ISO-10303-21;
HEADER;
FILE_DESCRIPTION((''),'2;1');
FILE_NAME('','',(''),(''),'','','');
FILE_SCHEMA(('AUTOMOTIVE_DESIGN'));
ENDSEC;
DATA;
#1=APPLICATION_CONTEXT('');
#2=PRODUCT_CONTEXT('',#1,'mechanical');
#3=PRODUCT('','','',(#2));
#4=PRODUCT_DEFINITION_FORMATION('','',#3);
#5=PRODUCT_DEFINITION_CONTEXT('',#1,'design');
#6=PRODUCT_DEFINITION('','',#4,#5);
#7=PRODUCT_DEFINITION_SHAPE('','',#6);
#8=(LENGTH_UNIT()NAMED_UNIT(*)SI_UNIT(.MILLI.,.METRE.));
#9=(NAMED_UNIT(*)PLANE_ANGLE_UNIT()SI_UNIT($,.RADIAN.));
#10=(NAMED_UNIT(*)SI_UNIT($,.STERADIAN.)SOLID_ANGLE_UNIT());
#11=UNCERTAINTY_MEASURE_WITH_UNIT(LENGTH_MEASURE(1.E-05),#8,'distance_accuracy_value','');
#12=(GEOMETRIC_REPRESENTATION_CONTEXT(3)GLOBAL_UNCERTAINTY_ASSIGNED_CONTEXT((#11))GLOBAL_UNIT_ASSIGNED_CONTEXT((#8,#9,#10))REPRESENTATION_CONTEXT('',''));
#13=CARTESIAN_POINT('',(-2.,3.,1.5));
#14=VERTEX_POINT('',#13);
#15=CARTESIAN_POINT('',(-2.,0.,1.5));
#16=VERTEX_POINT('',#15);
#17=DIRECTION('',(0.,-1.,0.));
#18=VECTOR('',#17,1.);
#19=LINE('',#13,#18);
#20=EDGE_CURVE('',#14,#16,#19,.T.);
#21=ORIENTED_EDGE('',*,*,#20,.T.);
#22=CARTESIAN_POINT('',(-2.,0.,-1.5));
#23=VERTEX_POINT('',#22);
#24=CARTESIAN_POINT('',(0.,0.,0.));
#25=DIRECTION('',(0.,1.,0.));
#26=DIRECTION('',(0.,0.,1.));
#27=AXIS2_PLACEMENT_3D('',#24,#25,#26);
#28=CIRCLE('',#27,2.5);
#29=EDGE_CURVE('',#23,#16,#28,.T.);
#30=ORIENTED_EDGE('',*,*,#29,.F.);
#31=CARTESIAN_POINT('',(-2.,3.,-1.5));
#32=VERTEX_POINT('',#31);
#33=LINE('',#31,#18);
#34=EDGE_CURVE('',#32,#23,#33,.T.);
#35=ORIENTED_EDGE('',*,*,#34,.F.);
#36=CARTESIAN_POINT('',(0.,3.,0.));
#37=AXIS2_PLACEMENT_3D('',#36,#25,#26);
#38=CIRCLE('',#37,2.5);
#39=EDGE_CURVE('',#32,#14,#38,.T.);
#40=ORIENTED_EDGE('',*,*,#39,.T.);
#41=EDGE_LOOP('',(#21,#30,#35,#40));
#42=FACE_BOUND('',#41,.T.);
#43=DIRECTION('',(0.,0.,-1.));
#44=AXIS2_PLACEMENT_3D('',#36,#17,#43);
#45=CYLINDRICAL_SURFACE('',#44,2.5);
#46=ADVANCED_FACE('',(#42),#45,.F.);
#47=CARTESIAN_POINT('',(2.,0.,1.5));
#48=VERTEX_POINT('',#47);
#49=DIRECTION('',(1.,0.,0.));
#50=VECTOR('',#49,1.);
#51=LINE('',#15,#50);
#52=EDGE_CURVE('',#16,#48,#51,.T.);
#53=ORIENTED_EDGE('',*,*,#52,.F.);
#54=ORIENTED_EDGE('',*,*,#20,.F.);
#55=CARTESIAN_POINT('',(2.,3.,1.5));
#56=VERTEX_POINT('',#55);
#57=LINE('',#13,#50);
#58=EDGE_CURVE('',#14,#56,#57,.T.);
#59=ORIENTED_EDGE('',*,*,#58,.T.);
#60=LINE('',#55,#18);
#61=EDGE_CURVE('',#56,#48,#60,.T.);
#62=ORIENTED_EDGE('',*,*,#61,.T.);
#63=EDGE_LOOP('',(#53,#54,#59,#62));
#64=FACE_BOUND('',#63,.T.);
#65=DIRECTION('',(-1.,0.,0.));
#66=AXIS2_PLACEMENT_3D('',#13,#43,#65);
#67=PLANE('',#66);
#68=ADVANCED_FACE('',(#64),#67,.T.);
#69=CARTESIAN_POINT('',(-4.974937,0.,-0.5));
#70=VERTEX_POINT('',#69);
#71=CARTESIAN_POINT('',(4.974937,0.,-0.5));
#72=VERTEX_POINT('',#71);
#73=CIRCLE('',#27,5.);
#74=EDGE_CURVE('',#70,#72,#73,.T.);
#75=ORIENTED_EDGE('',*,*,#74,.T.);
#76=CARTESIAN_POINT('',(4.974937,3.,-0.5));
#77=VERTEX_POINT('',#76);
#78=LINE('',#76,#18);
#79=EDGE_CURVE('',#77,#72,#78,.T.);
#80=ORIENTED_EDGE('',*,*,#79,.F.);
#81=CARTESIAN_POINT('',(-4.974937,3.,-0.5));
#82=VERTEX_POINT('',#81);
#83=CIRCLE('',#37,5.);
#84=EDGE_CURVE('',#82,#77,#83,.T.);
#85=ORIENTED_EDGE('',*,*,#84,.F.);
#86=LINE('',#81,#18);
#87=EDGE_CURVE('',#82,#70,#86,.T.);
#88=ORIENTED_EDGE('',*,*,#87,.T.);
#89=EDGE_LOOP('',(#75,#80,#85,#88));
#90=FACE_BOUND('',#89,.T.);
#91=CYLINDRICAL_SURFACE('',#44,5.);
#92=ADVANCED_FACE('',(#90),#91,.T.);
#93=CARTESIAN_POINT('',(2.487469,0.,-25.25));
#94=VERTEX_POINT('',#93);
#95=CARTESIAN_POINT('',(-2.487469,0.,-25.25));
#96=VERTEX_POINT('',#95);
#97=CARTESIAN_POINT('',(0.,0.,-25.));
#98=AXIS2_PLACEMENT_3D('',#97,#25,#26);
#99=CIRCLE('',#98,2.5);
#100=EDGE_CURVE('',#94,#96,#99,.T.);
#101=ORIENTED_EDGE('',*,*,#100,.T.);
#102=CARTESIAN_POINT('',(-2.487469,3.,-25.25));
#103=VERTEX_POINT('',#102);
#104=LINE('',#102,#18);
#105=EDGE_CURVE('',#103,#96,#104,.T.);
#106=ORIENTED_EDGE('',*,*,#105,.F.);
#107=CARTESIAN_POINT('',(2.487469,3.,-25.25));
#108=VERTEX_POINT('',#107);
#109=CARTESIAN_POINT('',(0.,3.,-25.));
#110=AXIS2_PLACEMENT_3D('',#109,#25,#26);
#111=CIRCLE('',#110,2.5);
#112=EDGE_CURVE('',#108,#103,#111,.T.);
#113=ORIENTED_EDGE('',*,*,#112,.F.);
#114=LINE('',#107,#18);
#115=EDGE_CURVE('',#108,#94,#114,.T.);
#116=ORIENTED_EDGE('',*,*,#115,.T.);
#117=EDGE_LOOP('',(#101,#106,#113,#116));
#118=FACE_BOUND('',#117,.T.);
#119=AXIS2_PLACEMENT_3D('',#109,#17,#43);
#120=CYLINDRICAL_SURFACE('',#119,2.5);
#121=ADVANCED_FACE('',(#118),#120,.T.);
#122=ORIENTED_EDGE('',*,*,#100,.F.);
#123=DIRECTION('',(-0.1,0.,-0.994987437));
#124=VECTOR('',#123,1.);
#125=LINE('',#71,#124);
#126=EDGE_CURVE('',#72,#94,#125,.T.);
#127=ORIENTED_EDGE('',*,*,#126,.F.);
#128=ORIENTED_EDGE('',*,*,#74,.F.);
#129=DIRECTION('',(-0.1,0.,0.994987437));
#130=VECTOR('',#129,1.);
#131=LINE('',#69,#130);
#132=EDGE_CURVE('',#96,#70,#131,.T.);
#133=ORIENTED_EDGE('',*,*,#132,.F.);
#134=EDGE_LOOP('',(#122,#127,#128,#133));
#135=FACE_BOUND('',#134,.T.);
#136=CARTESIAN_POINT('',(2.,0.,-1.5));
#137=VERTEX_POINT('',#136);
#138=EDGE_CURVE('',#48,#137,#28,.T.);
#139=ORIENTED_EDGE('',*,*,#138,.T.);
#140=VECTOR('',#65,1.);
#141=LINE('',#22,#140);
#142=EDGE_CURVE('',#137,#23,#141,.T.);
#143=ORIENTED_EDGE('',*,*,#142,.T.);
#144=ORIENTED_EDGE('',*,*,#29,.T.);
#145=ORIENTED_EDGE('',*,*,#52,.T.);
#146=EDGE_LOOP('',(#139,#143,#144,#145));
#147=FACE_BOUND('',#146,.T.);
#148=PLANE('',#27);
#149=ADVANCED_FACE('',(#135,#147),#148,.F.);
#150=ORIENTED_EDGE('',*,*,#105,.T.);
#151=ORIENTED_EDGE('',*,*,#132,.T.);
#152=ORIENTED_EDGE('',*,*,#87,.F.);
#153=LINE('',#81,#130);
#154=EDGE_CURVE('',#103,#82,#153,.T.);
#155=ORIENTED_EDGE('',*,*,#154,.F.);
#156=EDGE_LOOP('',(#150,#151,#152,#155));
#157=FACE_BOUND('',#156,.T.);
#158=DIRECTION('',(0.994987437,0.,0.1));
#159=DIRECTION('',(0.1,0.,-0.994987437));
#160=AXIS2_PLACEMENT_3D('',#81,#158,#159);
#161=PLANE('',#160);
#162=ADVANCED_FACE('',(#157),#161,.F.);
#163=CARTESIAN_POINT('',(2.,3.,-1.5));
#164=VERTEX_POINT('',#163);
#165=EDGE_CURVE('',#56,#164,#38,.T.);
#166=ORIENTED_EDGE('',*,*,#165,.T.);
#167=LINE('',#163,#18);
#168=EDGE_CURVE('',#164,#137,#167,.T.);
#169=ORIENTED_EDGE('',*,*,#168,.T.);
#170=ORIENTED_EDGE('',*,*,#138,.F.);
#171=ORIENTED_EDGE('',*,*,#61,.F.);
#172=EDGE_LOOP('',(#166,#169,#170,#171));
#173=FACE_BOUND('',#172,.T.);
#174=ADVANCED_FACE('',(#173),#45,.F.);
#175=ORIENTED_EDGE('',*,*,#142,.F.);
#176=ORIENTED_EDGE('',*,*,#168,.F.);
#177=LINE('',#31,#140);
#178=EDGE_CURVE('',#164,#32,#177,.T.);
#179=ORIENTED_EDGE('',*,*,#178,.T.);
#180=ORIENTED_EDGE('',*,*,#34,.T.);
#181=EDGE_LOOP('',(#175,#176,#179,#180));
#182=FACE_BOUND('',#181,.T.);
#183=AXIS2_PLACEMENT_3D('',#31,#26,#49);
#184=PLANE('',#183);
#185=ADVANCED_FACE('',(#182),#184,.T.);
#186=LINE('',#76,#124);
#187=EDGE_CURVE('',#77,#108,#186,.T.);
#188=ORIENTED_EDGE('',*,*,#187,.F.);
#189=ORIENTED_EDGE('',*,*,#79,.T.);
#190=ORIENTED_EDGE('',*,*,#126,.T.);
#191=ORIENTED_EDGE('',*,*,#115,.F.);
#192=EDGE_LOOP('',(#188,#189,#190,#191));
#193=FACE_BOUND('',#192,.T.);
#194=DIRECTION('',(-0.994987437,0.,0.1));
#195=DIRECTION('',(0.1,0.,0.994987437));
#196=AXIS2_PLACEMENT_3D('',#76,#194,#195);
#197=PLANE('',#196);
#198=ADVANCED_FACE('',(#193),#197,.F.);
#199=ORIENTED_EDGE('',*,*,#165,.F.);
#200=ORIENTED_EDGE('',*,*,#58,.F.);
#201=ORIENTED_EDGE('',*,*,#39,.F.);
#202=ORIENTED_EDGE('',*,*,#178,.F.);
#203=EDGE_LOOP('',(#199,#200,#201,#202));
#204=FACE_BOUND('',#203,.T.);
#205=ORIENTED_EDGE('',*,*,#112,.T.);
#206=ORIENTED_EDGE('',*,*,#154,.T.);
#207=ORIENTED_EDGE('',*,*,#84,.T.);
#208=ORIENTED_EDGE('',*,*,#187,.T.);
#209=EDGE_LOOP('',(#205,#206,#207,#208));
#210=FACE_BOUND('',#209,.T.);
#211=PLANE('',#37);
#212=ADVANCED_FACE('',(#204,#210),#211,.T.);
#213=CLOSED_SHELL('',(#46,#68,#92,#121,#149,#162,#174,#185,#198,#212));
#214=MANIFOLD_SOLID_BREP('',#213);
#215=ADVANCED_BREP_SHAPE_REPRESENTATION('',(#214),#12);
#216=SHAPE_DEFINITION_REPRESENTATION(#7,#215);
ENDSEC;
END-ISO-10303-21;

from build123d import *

# Parameters (mm, degrees)
BOSS_EXTRUDE1_DEPTH = 3


with BuildPart() as part:
    # Sketch1 → Boss-Extrude1 (new body)
    with BuildSketch(Plane(origin=(0, 0, 0), x_dir=(1, 0, 0), z_dir=(0, 1, 0))):
        with BuildLine():
            Line((-4.974937186, 0.5), (-2.487468593, 25.25))
            ThreePointArc((-2.487468593, 25.25), (0, 27.5), (2.487468593, 25.25))
            Line((2.487468593, 25.25), (4.974937186, 0.5))
            ThreePointArc((4.974937186, 0.5), (0, -5), (-4.974937186, 0.5))
        make_face()
        with BuildLine():
            Line((-2, -1.5), (2, -1.5))
            ThreePointArc((2, -1.5), (2.5, 0), (2, 1.5))
            Line((2, 1.5), (-2, 1.5))
            ThreePointArc((-2, 1.5), (-2.5, 0), (-2, -1.5))
        make_face(mode=Mode.SUBTRACT)
    extrude(amount=BOSS_EXTRUDE1_DEPTH)


solid = part.part
